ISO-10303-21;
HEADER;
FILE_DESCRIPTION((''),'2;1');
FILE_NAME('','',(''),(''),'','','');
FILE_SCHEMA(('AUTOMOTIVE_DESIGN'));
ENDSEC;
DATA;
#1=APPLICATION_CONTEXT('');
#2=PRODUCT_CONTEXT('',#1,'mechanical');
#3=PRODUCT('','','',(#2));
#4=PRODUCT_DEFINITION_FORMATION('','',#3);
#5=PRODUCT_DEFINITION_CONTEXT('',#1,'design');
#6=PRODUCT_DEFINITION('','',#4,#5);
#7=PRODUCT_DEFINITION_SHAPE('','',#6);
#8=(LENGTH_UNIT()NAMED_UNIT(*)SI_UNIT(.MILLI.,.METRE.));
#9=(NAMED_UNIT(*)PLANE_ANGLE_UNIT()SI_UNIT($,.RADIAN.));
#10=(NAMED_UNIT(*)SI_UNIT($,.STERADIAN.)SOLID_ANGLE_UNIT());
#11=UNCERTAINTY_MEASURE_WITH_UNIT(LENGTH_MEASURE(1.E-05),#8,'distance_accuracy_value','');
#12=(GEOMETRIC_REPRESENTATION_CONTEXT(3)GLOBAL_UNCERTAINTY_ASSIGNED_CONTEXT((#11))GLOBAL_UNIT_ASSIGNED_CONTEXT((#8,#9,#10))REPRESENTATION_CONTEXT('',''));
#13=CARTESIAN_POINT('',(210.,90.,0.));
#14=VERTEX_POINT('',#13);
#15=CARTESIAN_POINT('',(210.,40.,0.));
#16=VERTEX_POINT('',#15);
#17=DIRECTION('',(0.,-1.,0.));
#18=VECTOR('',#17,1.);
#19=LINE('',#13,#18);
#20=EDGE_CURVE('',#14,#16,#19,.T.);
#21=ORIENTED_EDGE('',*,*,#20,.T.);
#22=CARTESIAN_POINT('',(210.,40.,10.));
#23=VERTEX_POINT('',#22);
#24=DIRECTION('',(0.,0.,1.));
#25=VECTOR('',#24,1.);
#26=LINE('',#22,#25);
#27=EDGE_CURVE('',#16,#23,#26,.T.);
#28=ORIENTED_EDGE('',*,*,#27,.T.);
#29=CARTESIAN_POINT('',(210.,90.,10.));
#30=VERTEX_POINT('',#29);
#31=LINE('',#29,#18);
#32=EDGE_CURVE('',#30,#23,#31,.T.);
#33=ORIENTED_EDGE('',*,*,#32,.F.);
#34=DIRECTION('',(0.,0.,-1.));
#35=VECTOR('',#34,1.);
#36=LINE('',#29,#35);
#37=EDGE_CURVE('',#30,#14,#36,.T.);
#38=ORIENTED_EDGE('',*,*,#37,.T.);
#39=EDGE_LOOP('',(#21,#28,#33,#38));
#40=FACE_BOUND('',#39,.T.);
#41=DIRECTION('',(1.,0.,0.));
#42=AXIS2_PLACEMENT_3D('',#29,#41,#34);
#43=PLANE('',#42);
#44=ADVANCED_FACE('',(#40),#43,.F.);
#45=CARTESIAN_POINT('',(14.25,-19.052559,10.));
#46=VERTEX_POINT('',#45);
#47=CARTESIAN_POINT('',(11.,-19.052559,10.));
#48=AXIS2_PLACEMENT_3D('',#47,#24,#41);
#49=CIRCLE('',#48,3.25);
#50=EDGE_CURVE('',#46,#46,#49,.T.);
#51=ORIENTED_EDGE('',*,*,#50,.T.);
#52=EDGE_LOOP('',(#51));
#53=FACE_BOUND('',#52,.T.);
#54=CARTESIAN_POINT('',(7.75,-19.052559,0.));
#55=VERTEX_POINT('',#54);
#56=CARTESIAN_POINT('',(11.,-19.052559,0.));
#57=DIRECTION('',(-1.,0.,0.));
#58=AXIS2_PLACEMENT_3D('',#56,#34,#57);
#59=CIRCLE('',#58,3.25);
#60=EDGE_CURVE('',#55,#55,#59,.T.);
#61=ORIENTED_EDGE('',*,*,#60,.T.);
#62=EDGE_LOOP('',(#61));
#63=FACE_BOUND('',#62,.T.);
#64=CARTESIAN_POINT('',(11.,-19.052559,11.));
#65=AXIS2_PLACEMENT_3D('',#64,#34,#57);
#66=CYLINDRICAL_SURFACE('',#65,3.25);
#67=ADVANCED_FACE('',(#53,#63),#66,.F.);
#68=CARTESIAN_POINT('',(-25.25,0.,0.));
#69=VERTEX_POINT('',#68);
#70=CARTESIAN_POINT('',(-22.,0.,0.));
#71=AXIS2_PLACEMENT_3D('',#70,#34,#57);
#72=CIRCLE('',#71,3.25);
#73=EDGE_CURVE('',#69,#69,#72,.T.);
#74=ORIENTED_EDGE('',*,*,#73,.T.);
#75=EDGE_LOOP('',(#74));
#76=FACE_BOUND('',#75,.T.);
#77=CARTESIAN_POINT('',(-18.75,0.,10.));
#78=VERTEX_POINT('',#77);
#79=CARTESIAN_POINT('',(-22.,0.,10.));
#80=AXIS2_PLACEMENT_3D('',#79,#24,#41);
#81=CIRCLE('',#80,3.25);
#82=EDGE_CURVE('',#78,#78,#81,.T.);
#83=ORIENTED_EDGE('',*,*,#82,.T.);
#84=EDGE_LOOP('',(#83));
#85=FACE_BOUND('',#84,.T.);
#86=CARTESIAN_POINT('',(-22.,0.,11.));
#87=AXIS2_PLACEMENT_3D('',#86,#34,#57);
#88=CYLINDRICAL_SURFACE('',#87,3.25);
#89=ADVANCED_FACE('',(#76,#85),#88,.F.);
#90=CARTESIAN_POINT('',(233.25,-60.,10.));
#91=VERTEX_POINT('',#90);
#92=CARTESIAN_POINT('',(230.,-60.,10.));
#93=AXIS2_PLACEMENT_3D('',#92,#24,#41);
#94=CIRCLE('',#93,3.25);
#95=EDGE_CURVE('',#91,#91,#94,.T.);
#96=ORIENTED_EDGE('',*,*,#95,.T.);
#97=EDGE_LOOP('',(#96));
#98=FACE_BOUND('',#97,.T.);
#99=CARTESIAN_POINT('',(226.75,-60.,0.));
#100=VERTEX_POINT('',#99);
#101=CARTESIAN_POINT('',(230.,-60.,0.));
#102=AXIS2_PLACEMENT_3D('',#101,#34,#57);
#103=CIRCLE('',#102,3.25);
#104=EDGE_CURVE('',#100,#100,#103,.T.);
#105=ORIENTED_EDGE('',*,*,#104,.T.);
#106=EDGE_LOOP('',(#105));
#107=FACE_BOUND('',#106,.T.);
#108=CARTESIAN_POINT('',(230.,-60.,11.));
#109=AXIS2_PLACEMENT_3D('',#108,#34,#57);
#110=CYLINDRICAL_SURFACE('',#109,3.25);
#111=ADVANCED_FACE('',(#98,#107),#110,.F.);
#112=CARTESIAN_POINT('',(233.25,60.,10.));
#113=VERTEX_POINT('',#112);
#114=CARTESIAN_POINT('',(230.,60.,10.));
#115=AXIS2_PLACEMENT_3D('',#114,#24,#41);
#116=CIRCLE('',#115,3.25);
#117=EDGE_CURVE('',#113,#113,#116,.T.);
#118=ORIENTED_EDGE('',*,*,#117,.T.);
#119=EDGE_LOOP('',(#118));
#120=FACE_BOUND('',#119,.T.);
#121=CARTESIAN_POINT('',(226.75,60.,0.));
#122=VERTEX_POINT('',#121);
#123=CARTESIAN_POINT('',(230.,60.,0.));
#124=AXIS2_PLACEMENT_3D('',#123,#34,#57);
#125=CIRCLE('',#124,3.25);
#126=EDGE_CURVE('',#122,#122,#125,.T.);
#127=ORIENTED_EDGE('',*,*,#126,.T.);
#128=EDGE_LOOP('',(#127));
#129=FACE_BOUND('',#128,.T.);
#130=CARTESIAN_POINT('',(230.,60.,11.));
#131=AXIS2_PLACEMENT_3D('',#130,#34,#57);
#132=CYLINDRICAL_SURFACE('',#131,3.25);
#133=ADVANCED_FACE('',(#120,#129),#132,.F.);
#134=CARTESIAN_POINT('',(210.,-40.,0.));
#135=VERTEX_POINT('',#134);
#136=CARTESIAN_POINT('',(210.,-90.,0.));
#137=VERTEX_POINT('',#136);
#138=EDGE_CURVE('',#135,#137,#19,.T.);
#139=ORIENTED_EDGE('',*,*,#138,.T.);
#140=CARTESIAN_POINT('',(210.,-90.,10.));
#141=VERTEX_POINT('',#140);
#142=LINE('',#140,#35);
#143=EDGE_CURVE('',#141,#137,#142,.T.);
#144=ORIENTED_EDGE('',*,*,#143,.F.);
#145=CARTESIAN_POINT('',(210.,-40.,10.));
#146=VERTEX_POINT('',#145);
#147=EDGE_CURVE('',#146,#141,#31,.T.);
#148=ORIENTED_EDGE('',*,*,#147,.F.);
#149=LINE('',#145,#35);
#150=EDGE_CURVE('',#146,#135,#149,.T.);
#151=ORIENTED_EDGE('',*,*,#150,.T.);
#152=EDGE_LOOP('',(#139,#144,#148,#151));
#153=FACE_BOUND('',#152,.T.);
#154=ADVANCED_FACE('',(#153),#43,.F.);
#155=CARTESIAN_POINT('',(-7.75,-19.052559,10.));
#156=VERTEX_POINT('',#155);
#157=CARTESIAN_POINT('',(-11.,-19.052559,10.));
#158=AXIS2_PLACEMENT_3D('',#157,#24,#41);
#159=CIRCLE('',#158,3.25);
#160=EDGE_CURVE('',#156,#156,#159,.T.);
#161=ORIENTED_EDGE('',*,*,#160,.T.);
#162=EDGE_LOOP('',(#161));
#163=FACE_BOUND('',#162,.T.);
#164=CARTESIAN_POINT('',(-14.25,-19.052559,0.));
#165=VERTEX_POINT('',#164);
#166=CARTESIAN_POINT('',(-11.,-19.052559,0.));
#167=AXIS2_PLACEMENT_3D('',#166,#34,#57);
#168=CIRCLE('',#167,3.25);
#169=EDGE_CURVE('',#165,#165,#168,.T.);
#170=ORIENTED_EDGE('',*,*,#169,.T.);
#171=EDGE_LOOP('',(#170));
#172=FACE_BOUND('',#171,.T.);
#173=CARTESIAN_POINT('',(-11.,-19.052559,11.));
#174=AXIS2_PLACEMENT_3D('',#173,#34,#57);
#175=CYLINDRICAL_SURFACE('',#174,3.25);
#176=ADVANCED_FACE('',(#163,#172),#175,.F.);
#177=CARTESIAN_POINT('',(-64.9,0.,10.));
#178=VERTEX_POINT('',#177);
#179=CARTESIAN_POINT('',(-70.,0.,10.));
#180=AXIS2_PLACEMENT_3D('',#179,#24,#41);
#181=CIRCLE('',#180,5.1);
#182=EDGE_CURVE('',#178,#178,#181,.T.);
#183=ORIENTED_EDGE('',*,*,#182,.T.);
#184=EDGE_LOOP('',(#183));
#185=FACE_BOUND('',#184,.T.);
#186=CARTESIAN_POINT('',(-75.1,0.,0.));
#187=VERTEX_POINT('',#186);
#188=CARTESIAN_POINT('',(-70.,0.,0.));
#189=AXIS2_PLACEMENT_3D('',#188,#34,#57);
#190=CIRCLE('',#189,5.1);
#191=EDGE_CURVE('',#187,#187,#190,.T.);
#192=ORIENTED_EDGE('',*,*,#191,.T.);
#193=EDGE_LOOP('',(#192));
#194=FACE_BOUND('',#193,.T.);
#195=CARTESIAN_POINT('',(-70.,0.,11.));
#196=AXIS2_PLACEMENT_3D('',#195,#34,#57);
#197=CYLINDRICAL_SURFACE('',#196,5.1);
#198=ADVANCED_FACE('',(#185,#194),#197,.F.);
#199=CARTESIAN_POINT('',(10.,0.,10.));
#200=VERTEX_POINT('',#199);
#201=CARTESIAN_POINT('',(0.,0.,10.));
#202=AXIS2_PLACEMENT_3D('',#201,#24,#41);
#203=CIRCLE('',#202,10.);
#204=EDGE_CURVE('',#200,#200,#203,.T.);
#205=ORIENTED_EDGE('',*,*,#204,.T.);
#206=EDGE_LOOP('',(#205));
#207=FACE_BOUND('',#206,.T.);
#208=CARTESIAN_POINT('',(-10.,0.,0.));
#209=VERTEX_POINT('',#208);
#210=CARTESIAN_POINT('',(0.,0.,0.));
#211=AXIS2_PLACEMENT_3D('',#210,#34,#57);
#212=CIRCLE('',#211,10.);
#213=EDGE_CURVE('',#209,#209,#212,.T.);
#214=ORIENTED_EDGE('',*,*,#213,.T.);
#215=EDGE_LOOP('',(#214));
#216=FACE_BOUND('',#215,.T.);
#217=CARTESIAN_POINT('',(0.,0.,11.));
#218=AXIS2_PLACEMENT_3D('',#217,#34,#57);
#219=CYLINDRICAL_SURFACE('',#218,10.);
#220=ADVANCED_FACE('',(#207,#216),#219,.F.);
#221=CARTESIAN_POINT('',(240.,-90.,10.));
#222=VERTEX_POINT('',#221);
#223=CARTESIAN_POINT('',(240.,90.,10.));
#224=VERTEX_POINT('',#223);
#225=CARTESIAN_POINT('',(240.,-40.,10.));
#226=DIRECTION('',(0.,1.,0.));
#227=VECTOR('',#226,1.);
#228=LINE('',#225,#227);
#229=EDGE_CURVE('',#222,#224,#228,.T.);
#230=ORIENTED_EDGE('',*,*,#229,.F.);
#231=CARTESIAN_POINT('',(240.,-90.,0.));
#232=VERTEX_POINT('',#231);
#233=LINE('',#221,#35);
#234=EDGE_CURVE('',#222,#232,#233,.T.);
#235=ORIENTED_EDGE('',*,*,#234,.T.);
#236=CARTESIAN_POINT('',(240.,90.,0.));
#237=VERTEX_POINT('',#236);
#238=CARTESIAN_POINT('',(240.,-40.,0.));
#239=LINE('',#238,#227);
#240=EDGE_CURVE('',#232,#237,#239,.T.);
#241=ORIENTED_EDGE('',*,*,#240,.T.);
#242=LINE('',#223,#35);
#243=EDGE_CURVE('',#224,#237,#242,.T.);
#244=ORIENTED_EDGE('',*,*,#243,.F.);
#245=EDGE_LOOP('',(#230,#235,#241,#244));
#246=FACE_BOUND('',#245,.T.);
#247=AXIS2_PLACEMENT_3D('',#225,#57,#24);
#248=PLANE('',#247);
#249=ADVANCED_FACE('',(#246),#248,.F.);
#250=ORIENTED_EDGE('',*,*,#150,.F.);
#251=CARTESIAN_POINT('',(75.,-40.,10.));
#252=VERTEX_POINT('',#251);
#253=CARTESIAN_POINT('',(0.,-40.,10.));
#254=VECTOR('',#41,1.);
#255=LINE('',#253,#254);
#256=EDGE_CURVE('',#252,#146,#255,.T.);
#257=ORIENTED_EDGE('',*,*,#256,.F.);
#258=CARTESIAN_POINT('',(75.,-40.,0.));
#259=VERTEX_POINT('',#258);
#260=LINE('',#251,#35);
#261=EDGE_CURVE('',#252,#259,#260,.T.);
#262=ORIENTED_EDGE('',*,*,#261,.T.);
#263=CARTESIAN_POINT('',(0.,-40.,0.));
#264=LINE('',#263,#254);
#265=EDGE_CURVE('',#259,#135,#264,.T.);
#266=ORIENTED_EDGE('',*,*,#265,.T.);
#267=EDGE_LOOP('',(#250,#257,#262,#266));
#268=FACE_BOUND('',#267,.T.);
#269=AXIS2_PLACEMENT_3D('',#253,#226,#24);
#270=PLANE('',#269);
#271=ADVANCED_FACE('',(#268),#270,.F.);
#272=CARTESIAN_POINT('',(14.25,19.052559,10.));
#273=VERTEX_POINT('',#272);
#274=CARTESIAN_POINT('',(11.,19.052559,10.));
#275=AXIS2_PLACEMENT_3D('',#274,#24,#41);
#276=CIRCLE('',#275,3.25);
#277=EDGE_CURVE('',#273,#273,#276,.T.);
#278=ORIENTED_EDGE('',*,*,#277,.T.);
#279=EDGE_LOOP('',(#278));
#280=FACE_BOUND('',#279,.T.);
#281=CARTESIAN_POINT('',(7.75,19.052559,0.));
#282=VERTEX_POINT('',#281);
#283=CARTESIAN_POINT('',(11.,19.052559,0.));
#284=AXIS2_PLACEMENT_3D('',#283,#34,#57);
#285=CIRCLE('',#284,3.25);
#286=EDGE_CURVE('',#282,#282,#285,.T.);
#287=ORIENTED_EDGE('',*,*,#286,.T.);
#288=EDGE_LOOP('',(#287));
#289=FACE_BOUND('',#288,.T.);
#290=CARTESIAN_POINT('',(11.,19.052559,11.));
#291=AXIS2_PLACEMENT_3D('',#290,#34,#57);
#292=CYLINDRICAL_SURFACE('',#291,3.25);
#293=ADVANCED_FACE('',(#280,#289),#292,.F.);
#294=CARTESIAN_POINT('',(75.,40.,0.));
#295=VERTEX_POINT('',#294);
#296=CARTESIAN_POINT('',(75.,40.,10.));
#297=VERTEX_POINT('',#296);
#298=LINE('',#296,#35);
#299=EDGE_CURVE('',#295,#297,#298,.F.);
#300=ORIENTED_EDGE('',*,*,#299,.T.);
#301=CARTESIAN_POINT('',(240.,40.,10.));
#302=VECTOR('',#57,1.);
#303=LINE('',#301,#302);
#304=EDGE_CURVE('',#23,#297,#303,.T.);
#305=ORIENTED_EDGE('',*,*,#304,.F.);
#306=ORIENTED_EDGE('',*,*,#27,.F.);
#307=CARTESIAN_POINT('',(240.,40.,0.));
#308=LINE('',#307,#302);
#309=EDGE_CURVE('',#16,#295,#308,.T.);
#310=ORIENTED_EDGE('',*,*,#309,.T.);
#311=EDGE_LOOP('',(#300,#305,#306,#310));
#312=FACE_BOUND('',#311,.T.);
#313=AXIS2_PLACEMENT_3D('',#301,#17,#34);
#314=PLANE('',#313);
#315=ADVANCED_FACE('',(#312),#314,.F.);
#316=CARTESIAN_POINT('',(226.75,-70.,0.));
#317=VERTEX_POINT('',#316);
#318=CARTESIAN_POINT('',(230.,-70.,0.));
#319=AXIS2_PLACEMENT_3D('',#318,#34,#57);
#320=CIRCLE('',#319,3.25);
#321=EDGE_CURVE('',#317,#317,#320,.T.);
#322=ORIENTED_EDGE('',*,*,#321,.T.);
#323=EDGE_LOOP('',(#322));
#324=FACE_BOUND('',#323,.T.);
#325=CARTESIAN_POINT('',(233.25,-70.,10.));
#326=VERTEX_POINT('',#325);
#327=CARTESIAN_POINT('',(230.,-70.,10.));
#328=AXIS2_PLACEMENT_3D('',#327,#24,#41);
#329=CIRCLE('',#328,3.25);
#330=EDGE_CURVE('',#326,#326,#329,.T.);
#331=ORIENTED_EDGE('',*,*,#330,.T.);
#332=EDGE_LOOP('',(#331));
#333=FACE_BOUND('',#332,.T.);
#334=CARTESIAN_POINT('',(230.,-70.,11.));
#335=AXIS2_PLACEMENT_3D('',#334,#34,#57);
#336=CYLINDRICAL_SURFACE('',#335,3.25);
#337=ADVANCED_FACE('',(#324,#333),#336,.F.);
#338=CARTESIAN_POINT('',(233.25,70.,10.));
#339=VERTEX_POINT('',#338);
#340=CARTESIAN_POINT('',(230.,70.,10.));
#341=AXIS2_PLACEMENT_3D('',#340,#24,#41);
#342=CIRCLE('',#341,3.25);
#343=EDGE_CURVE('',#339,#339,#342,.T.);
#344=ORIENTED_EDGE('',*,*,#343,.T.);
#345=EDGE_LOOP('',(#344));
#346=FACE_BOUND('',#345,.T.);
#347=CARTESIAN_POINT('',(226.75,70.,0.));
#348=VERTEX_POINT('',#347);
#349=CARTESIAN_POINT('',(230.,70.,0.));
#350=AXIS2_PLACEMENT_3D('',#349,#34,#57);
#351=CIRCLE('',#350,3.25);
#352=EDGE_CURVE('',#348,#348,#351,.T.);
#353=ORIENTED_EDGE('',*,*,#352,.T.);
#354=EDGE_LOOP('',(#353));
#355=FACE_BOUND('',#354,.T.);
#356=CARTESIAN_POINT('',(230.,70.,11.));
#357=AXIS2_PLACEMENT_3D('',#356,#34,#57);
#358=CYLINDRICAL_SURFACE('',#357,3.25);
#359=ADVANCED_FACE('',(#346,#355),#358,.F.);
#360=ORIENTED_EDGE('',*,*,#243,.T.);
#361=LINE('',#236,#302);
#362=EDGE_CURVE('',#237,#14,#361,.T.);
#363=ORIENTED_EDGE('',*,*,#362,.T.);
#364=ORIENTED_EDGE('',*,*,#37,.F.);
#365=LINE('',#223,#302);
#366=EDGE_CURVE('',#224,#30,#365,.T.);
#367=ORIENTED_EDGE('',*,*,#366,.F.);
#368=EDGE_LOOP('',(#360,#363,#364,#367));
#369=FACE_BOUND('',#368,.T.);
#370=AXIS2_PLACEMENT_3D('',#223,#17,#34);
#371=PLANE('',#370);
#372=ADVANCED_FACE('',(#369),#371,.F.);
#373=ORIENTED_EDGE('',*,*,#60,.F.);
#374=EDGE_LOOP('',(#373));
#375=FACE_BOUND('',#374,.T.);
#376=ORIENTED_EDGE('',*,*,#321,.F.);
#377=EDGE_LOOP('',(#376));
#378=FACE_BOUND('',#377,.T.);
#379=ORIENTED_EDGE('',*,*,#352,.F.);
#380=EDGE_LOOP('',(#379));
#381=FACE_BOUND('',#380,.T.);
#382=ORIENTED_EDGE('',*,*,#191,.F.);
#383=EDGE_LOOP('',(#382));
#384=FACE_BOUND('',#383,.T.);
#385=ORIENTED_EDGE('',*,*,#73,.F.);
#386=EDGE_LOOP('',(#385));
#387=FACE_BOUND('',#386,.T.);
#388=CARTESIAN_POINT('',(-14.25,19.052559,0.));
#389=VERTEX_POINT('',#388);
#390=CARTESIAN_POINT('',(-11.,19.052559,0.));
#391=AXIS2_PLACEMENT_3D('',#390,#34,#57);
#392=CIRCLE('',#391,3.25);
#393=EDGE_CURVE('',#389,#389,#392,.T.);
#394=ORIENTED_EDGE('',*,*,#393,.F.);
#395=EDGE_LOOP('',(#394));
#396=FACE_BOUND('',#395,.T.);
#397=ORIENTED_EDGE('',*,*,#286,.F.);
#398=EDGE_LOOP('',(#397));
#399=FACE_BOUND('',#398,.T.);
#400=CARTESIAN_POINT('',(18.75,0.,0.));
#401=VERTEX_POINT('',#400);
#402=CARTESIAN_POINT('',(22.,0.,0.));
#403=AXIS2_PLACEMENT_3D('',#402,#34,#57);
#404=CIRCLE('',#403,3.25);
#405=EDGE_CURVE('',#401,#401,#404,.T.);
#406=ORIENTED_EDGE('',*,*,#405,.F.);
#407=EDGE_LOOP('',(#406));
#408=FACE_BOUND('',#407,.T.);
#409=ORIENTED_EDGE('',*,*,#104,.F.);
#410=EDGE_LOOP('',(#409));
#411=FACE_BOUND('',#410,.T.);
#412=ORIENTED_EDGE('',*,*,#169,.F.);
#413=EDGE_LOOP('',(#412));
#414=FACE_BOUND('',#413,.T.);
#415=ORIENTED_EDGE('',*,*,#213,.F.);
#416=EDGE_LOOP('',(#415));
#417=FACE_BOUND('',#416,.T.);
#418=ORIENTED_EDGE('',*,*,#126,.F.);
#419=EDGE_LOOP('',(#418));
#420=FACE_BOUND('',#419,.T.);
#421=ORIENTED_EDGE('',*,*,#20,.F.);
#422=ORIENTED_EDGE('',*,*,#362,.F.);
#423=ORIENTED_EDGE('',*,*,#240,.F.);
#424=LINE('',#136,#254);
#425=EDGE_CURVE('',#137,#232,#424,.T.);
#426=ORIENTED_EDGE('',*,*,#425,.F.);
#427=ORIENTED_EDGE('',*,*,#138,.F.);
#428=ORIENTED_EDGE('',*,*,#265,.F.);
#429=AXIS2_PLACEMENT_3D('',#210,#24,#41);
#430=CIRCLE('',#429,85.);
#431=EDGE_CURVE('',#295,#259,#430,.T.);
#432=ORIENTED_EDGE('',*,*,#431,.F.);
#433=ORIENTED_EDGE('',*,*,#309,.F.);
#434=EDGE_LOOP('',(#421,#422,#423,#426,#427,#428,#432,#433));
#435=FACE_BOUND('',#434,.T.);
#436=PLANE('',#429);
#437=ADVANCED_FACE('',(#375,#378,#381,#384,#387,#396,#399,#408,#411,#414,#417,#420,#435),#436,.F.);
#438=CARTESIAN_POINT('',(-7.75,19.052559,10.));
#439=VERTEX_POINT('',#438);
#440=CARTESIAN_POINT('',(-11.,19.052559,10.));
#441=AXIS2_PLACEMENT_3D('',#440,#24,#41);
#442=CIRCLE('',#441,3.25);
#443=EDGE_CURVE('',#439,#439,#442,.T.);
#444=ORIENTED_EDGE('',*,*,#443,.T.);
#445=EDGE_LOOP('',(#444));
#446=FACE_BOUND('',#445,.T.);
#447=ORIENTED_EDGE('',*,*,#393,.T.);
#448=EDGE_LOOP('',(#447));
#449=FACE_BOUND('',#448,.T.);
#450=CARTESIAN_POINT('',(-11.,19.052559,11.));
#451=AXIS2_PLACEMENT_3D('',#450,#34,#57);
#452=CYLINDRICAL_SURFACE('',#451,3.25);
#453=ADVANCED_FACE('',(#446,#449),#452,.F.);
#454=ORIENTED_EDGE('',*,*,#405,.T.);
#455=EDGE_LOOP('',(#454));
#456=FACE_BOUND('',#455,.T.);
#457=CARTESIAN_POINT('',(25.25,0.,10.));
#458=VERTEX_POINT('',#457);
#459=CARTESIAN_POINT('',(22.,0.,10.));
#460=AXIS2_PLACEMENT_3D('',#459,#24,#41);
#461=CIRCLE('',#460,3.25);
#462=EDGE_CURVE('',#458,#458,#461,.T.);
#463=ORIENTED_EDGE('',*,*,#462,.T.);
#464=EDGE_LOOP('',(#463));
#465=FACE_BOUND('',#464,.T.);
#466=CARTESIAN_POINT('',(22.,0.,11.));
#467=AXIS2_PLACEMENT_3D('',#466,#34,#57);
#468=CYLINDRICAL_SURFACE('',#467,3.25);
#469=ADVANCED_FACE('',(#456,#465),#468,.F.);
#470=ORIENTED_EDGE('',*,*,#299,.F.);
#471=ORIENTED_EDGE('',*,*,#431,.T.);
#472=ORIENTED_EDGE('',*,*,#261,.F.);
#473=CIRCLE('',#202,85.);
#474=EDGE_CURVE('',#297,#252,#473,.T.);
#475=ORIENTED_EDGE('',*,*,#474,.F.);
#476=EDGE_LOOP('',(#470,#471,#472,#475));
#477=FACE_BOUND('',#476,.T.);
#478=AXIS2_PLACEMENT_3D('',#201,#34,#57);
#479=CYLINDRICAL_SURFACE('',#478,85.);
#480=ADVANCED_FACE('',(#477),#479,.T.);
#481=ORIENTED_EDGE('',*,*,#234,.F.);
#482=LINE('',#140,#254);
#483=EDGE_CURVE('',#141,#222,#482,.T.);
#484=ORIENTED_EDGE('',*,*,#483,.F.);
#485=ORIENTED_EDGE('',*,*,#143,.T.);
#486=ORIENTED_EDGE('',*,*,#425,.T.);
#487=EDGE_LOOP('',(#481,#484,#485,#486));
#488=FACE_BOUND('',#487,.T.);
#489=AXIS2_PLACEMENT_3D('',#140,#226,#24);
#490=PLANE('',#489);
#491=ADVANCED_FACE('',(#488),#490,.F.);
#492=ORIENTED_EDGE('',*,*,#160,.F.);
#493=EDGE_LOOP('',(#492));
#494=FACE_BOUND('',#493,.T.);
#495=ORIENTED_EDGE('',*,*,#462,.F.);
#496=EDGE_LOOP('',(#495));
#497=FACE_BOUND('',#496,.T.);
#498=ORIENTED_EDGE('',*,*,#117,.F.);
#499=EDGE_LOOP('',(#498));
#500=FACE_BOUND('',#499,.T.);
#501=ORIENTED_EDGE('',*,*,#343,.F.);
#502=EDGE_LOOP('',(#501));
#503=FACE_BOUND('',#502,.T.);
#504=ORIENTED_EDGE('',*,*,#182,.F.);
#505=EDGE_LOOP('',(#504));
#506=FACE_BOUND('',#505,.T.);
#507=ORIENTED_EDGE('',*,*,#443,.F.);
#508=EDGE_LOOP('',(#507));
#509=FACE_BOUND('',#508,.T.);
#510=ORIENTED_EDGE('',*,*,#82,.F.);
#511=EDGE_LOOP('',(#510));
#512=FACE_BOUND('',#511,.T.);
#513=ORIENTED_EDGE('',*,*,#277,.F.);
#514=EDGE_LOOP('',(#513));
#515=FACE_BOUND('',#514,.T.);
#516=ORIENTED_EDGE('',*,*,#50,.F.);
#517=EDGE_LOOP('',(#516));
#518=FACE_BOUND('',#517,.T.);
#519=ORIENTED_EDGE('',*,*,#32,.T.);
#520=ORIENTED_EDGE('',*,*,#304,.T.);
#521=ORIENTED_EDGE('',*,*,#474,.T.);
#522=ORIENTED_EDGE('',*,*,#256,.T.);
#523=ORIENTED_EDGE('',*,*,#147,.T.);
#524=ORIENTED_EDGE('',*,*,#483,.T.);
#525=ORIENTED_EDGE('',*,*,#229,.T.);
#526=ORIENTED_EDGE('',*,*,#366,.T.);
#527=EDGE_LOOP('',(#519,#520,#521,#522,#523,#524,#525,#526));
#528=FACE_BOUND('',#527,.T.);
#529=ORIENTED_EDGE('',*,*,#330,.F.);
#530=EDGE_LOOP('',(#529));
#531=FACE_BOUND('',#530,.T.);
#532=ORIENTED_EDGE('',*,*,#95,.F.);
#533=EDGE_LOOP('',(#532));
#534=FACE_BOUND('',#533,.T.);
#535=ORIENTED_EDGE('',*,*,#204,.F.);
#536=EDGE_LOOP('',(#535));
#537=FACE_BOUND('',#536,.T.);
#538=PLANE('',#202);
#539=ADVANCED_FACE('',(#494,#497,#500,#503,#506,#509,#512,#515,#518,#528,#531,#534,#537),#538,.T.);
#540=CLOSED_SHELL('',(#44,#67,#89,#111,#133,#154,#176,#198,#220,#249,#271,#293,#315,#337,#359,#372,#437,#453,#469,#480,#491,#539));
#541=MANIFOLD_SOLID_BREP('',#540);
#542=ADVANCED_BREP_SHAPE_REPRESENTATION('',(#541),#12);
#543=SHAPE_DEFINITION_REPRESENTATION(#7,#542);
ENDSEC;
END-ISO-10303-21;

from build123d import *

# Parameters (mm, degrees)
SKETCH_1_R          = 85
EXTRUDE_1_DEPTH     = 10
SKETCH_2_W          = 240
SKETCH_2_H          = 80
EXTRUDE_2_DEPTH     = 10
SKETCH_3_W          = 30
SKETCH_3_H          = 180
EXTRUDE_3_DEPTH     = 10
SKETCH_4_R          = 10
SKETCH_4_R_2        = 3.25
SKETCH_4_R_3        = 5.1
CUT_EXTRUDE_1_DEPTH = 11


with BuildPart() as part:
    # 草图1 → 凸台-拉伸1 (new body)
    with BuildSketch(Plane.XY):
        Circle(SKETCH_1_R)
    extrude(amount=EXTRUDE_1_DEPTH)

    # 草图2 → 凸台-拉伸2 (add)
    with BuildSketch(Plane.XY):
        with Locations((120, 0)):
            Rectangle(SKETCH_2_W, SKETCH_2_H)
    extrude(amount=EXTRUDE_2_DEPTH)

    # 草图3 → 凸台-拉伸3 (add)
    with BuildSketch(Plane.XY):
        with Locations((225, 0)):
            Rectangle(SKETCH_3_W, SKETCH_3_H)
    extrude(amount=EXTRUDE_3_DEPTH)

    # 草图4 → 切除-拉伸1 (cut)
    with BuildSketch(Plane(origin=(0, 0, 0), x_dir=(-1, 0, 0), z_dir=(0, 0, -1))):
        Circle(SKETCH_4_R)
        with Locations((-22, 0)):
            Circle(SKETCH_4_R_2)
        with Locations((-11, 19.052558883)):
            Circle(SKETCH_4_R_2)
        with Locations((11, 19.052558883)):
            Circle(SKETCH_4_R_2)
        with Locations((22, 0)):
            Circle(SKETCH_4_R_2)
        with Locations((11, -19.052558883)):
            Circle(SKETCH_4_R_2)
        with Locations((-11, -19.052558883)):
            Circle(SKETCH_4_R_2)
        with Locations((-230, -70)):
            Circle(SKETCH_4_R_2)
        with Locations((-230, -60)):
            Circle(SKETCH_4_R_2)
        with Locations((-230, 60)):
            Circle(SKETCH_4_R_2)
        with Locations((-230, 70)):
            Circle(SKETCH_4_R_2)
        with Locations((70, 0)):
            Circle(SKETCH_4_R_3)
    extrude(amount=-CUT_EXTRUDE_1_DEPTH, mode=Mode.SUBTRACT)


solid = part.part
